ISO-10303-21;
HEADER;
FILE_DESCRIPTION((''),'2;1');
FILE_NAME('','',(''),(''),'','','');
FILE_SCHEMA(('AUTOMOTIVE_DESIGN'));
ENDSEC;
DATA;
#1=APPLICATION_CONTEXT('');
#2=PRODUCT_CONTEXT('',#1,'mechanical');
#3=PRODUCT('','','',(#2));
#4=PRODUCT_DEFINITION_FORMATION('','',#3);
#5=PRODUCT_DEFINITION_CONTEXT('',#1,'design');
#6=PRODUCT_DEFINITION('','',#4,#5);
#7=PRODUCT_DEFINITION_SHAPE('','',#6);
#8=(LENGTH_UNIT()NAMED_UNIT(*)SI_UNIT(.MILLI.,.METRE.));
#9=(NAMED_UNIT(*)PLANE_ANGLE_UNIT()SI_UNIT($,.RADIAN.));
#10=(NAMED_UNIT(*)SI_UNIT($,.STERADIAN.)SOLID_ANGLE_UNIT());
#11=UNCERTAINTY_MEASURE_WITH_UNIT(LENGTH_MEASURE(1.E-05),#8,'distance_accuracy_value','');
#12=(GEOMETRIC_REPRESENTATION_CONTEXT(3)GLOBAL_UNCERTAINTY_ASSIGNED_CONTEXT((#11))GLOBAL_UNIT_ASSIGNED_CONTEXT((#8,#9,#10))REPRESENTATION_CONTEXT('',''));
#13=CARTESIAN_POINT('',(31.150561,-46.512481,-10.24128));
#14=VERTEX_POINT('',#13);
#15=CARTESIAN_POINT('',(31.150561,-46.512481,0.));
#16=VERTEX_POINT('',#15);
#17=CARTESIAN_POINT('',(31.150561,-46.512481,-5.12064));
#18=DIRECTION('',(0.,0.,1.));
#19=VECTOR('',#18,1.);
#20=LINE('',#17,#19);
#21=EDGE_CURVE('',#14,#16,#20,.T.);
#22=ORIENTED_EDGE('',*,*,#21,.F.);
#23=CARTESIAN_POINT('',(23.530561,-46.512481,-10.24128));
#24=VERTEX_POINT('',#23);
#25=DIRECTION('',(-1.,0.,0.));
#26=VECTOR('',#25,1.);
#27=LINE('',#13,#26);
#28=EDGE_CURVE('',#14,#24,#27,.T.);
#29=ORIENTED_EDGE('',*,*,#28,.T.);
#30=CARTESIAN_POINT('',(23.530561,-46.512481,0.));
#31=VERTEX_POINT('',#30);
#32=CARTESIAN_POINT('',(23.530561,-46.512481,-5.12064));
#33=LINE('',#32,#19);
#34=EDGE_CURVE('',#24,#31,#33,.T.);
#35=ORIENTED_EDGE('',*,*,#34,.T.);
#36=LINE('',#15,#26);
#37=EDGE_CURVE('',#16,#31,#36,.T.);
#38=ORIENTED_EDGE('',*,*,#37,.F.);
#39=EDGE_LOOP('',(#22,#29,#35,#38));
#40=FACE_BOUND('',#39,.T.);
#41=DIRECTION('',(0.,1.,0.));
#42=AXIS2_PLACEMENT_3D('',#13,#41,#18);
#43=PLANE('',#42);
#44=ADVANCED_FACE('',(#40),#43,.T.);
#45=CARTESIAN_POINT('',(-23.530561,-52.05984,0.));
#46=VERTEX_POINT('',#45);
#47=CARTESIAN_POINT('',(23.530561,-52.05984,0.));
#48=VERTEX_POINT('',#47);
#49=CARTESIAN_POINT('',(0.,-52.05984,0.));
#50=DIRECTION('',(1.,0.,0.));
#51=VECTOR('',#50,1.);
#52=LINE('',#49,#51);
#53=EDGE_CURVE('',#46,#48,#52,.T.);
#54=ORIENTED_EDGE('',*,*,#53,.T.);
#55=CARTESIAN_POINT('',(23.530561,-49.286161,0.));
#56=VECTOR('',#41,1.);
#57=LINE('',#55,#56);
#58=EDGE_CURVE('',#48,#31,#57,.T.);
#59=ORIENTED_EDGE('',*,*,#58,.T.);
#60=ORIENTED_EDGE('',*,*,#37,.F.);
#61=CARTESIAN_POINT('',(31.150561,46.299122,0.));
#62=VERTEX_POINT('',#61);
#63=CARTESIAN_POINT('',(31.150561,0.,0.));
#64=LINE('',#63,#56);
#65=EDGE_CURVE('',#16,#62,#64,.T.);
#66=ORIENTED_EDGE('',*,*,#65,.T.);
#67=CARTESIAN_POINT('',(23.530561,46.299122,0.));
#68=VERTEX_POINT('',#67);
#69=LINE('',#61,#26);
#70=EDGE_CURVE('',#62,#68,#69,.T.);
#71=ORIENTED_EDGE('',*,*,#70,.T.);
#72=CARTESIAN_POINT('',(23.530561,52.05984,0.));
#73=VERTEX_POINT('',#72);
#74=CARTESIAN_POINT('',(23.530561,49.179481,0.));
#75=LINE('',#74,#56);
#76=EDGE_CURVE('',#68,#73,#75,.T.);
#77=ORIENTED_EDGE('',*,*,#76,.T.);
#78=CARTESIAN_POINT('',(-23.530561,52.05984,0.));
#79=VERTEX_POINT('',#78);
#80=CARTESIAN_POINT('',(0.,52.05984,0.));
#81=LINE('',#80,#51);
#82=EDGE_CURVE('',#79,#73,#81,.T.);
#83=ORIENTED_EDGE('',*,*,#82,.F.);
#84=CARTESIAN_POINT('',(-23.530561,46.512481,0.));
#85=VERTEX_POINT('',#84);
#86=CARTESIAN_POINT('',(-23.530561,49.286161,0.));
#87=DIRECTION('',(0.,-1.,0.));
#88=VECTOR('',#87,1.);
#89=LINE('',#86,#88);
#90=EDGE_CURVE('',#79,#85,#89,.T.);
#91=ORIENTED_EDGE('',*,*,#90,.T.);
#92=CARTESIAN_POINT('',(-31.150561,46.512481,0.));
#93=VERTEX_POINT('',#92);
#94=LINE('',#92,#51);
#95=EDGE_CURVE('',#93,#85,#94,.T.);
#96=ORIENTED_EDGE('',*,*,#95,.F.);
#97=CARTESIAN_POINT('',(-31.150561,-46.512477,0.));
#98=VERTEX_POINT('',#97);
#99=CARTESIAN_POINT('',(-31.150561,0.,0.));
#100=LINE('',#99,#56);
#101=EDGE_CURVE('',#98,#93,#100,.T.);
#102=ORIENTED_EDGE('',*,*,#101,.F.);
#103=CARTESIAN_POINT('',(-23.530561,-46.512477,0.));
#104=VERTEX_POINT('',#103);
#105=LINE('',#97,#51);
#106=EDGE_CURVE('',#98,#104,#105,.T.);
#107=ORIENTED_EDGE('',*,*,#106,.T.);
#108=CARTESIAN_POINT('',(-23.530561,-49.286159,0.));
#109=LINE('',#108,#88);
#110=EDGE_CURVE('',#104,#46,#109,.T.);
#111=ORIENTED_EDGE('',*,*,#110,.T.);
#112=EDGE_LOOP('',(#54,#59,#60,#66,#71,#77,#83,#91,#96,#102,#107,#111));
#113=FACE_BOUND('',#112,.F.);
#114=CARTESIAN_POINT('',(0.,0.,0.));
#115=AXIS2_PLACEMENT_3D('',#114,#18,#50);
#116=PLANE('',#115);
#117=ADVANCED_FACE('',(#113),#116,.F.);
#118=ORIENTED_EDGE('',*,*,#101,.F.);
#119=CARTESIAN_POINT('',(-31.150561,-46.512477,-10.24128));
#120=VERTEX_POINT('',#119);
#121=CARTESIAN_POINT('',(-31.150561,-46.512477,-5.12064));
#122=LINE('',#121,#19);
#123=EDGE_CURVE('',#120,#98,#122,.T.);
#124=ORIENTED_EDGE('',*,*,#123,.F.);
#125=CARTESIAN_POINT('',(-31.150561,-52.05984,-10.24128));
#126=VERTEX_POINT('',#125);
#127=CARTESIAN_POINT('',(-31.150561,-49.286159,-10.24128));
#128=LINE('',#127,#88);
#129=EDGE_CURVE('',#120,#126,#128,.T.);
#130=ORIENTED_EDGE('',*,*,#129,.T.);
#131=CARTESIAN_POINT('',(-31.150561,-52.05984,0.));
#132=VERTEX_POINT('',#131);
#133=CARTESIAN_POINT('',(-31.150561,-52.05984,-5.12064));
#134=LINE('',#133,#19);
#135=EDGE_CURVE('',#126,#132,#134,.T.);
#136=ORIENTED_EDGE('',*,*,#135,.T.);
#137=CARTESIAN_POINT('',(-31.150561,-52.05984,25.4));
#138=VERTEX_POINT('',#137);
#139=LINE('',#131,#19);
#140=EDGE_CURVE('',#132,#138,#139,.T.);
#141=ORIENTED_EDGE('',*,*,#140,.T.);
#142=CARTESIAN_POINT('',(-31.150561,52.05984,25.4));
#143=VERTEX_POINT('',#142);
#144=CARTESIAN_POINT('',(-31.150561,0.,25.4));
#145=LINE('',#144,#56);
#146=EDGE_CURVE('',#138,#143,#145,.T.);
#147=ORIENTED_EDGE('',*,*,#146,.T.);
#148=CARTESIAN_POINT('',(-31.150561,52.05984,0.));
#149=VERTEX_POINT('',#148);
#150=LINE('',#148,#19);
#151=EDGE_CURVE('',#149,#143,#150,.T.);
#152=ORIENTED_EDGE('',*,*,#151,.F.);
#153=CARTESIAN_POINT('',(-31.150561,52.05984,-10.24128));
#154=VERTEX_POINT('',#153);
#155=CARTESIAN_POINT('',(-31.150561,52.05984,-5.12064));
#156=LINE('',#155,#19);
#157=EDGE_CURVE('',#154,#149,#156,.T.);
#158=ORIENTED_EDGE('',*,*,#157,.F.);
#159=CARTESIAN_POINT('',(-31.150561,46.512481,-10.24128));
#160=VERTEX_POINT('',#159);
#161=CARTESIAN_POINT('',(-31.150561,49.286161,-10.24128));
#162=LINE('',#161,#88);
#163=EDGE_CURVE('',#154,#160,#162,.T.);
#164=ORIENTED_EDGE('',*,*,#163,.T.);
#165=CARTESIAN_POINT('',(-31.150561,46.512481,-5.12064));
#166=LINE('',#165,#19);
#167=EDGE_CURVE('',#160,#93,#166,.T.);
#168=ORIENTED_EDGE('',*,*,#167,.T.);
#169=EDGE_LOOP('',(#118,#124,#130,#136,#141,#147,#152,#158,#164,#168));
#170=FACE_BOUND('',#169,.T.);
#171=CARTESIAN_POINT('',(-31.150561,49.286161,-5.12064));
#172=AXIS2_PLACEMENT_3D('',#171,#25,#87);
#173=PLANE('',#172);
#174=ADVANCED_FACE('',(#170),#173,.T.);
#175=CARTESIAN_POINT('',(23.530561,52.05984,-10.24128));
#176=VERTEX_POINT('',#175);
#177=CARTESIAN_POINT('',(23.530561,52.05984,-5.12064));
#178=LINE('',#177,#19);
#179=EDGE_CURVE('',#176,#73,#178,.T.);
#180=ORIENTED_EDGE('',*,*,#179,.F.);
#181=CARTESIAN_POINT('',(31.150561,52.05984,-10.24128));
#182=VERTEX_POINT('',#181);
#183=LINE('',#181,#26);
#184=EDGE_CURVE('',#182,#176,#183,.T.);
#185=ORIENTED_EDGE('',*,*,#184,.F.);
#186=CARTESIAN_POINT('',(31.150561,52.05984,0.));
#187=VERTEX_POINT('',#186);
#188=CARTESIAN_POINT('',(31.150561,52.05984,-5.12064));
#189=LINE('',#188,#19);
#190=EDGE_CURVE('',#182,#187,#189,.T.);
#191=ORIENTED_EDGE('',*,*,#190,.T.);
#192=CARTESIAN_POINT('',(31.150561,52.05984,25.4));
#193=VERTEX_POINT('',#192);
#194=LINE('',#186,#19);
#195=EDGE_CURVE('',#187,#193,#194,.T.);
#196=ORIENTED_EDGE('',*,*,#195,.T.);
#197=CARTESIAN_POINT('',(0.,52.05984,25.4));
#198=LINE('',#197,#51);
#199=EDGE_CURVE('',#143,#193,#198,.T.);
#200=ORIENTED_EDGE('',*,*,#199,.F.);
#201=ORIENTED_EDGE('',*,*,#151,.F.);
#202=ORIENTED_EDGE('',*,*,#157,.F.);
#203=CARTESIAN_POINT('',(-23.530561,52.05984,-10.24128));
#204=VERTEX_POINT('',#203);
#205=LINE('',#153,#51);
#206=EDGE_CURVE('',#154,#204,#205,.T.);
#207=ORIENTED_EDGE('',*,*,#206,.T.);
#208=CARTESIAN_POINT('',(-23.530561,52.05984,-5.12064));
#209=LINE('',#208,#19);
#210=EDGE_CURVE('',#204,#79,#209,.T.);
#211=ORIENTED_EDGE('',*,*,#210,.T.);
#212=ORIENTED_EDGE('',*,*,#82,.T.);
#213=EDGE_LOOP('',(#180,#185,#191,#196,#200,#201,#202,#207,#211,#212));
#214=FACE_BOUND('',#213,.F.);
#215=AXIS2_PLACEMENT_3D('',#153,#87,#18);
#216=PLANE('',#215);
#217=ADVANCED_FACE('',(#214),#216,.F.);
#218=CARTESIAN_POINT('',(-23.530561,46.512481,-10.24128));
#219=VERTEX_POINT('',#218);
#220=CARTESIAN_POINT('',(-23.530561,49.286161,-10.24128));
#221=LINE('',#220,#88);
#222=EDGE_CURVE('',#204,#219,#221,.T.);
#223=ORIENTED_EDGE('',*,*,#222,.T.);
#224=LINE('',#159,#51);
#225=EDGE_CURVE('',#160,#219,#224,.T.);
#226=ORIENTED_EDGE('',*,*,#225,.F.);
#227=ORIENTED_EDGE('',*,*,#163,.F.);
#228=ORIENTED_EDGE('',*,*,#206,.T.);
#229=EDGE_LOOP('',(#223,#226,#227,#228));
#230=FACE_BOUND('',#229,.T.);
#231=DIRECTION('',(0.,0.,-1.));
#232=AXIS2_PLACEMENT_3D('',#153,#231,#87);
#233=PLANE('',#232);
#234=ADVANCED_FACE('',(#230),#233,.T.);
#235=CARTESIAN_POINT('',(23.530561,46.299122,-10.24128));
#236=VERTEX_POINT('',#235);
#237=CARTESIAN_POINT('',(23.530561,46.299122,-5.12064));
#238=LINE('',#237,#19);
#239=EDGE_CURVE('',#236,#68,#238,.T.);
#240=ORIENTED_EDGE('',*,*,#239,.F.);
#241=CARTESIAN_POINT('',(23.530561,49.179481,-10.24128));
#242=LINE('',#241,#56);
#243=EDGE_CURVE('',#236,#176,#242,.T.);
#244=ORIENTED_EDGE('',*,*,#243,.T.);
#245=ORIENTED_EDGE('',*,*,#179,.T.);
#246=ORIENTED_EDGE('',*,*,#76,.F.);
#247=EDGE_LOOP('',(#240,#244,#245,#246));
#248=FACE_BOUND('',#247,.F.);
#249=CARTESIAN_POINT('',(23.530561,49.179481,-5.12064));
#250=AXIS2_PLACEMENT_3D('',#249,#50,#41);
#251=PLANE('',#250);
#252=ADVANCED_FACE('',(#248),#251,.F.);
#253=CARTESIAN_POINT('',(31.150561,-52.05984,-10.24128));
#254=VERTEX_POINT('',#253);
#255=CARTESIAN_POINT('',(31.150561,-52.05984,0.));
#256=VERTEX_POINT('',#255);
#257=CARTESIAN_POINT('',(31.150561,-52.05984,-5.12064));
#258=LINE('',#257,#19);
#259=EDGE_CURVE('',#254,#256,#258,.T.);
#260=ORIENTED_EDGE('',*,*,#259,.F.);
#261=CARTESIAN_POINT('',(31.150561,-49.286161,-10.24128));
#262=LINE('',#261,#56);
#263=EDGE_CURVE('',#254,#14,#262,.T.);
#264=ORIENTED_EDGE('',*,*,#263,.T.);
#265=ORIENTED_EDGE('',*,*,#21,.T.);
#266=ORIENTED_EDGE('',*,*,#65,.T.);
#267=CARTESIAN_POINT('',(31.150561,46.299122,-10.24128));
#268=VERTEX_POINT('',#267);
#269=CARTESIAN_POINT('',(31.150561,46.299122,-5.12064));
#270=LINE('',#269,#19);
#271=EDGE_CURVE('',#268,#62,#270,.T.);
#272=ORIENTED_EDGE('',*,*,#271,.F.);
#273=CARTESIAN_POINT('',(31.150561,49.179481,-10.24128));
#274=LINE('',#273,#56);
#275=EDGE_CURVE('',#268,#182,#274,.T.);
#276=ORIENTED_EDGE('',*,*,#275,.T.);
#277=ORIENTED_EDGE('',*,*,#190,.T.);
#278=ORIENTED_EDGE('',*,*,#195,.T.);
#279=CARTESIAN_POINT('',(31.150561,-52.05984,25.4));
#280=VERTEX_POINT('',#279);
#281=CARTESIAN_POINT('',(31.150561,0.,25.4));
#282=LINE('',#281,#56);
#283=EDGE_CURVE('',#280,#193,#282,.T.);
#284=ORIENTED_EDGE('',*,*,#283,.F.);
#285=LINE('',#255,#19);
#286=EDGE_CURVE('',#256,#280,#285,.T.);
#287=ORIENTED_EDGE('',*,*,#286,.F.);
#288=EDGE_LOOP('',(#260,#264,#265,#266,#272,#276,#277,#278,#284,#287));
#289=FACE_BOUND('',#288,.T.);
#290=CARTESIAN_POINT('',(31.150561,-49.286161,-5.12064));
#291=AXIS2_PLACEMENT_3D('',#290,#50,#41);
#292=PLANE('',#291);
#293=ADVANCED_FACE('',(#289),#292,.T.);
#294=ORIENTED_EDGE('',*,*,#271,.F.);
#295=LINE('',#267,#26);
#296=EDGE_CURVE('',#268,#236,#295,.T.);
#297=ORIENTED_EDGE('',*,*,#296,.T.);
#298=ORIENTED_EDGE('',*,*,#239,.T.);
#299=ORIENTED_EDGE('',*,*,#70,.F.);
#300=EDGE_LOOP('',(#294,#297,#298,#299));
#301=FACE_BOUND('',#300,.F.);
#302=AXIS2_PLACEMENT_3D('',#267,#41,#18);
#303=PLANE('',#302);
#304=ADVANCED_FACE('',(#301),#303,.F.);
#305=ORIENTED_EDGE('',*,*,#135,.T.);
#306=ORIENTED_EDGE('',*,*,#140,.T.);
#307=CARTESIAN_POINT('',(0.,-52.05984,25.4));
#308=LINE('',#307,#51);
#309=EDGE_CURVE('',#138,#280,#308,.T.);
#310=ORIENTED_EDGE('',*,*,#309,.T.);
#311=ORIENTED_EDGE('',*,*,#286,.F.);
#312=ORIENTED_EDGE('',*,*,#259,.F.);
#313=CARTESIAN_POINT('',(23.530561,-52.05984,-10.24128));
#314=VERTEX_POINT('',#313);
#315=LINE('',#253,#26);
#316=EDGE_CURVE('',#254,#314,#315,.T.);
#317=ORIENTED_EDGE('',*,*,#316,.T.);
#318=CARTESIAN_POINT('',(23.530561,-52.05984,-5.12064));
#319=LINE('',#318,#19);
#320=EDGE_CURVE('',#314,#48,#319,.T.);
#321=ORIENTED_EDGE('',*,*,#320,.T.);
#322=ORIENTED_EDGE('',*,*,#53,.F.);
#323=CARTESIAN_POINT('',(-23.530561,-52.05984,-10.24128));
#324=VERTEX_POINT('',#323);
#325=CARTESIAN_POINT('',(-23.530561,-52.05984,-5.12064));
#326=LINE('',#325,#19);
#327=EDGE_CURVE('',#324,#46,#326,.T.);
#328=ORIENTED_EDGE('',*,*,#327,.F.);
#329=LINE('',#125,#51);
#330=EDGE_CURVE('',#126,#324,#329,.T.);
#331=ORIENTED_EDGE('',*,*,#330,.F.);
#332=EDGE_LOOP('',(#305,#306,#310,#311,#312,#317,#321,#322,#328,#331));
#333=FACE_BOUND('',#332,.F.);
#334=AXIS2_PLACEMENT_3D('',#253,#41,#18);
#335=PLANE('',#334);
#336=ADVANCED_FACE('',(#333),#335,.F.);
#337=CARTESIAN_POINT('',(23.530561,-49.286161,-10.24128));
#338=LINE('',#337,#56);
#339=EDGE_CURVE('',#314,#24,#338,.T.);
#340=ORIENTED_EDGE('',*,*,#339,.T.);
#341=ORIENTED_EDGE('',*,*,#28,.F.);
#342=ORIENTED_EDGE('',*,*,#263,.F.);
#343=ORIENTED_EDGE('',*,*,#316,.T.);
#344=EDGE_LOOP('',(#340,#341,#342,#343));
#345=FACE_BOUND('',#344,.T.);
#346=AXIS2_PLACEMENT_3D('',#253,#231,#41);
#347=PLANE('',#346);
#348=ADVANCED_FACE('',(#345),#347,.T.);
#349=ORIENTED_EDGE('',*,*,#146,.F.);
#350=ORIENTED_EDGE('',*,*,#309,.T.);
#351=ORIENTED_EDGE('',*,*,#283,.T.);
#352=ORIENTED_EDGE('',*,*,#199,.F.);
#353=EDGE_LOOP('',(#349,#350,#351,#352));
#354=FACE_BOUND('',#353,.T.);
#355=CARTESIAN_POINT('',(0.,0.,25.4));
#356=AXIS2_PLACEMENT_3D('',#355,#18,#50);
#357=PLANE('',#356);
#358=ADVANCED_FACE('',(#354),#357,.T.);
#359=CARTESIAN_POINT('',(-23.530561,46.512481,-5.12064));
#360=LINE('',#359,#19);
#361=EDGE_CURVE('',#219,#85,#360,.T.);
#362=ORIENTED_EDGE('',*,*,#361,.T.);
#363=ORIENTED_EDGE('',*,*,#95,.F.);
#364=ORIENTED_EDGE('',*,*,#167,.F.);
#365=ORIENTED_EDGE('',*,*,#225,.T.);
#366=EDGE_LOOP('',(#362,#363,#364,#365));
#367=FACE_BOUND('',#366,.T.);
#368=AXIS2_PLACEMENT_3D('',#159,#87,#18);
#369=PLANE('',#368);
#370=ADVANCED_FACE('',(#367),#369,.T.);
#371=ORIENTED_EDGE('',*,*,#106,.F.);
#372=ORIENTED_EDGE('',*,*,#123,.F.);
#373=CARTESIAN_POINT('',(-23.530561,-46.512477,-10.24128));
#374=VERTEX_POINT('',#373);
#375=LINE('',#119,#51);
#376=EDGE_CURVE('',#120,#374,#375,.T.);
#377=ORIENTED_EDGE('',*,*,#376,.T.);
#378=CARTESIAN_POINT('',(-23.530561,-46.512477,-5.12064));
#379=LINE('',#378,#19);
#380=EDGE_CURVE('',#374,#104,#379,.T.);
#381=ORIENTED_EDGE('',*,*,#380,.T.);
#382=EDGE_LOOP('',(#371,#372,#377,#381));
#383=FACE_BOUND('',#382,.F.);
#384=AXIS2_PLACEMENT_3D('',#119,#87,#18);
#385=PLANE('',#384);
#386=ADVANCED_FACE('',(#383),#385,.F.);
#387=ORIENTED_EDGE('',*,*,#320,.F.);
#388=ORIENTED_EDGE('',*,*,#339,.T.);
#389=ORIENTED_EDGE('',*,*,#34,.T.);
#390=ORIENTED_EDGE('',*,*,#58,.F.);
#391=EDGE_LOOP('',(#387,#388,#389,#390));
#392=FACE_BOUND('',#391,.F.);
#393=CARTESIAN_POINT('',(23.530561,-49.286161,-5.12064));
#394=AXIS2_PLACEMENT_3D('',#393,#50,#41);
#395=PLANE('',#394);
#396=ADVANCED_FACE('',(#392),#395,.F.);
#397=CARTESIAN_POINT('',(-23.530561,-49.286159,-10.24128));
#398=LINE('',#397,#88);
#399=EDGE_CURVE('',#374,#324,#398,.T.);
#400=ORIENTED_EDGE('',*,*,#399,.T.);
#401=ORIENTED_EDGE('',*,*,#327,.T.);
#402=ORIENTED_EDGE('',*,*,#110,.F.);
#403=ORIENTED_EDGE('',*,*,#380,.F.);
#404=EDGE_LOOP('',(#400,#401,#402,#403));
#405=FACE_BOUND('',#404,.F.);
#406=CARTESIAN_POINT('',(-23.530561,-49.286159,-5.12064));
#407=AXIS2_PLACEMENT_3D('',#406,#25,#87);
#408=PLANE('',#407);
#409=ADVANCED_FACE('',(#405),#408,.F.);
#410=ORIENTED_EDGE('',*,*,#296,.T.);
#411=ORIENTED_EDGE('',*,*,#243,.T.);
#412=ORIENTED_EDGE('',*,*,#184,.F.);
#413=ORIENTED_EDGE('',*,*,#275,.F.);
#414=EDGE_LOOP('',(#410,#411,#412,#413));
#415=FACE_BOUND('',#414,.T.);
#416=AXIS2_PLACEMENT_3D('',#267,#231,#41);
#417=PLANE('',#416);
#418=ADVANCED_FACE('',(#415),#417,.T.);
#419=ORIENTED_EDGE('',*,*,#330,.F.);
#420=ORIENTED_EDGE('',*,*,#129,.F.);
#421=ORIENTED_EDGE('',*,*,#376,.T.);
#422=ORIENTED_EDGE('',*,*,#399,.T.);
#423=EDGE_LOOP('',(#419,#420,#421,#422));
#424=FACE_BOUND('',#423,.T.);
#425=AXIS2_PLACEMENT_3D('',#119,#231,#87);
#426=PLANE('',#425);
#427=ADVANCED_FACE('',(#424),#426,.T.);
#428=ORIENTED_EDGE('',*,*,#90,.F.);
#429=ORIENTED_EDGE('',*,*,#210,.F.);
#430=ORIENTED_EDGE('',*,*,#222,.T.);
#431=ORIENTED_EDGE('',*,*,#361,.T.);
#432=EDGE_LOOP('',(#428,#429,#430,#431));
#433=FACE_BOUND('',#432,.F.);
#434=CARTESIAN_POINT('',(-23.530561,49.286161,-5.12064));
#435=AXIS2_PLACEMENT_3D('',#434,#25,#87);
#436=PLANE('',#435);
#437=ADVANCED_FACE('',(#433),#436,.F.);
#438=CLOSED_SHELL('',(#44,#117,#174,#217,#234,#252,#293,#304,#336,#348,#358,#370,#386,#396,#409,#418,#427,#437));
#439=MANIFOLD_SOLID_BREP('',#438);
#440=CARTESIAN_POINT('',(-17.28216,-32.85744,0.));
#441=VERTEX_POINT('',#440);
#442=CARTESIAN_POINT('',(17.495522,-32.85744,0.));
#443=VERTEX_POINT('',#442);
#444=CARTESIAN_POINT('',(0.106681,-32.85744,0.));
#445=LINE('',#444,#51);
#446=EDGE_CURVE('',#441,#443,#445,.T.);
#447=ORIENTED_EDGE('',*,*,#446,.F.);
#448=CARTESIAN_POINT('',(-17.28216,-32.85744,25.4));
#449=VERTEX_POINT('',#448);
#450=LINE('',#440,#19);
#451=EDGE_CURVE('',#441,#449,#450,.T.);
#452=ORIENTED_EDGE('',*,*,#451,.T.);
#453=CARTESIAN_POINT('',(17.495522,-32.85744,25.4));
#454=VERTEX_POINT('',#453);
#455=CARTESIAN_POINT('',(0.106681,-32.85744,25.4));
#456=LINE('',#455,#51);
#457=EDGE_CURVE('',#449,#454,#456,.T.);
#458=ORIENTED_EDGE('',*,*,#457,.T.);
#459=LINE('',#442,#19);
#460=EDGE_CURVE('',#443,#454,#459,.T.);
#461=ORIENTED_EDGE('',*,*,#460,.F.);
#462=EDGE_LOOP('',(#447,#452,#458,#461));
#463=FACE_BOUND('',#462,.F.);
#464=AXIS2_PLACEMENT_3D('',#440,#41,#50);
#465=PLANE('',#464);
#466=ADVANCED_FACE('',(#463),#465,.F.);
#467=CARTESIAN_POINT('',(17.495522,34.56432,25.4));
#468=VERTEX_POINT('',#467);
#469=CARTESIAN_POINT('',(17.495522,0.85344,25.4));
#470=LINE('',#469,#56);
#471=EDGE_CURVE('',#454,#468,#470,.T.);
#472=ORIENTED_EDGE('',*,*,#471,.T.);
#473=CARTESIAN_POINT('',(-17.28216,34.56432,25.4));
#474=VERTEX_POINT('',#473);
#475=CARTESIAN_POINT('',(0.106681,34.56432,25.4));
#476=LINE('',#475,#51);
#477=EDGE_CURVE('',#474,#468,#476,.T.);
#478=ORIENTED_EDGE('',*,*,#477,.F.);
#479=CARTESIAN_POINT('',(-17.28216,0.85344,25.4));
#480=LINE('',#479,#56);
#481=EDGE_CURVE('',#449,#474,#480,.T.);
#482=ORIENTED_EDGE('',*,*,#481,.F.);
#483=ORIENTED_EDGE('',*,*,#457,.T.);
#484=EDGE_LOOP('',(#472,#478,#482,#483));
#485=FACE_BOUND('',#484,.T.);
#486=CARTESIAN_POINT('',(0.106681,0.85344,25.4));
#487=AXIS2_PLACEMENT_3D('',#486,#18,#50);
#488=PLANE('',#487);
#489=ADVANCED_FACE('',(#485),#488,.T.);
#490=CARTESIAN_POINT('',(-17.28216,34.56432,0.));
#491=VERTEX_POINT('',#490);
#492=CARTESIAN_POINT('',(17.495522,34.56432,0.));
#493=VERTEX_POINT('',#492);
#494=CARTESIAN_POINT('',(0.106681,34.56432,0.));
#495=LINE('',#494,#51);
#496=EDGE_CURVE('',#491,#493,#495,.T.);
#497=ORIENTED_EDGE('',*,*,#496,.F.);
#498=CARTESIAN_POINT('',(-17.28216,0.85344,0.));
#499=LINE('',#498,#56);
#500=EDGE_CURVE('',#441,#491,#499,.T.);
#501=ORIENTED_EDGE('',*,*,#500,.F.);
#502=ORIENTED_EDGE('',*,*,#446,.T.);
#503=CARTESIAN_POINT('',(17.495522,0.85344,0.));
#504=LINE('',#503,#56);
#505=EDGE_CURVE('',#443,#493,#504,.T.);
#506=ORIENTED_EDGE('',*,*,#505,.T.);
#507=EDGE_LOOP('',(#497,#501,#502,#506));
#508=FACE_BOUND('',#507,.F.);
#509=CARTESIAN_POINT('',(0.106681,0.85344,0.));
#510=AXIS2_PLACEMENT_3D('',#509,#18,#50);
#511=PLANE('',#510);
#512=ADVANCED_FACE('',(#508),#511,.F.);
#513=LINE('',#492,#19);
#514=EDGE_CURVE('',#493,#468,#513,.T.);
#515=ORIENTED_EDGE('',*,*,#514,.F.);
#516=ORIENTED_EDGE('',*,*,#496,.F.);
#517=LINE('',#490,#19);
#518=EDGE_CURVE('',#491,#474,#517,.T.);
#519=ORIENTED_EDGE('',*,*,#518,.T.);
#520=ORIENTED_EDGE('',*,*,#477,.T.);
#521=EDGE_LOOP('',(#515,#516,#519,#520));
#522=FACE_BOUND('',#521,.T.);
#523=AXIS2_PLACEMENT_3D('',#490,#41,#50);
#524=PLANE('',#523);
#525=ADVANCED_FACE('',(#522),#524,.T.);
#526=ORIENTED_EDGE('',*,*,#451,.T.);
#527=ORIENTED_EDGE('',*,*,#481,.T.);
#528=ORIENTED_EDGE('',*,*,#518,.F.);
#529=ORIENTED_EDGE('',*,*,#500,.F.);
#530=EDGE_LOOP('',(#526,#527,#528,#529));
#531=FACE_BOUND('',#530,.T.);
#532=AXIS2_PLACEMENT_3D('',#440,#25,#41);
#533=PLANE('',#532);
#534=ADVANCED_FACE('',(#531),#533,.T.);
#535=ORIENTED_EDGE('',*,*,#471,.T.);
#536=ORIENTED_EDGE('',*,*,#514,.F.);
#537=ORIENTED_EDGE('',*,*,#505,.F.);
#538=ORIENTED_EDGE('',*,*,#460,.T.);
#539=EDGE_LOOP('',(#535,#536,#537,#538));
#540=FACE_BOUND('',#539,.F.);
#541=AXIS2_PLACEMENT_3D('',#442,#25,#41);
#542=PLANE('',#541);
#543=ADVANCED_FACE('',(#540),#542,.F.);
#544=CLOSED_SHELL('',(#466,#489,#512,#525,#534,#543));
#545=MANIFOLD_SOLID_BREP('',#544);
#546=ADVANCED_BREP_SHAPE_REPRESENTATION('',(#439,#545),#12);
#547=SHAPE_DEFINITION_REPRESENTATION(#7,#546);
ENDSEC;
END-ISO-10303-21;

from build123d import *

# Parameters (mm, degrees)
F2_W     = 62.3011216521
F2_H     = 104.1196808219
F3_DEPTH = 25.4
F0_W     = 34.7776822746
F0_H     = 67.4217604101
F4_W     = 5.5473595858
F4_H     = 10.2412803099
F4_W_2   = 5.760718137
F5_DEPTH = 7.62
F6_W     = 5.5473595858
F6_H     = 10.2412803099
F6_W_2   = 5.5473633111
F7_DEPTH = 7.62


with BuildPart() as f3:
    # F2 (on face) → F3 (new body)
    with BuildSketch(Plane.XY):
        Rectangle(F2_W, F2_H)
    extrude(amount=F3_DEPTH)

    # F4 (on face) → F5 (join)
    with BuildSketch(Plane.YZ.offset(31.1505608261)):
        with Locations((-49.2861606181, -5.1206401549)):
            Rectangle(F4_W, F4_H)
        with Locations((49.1794813424, -5.1206401549)):
            Rectangle(F4_W_2, F4_H)
    extrude(amount=-F5_DEPTH)

    # F6 (on face) → F7 (join)
    with BuildSketch(Plane(origin=(-31.1505608261, 0, 0), x_dir=(0, -1, 0), z_dir=(-1, 0, 0))):
        with Locations((-49.2861606181, -5.1206401549)):
            Rectangle(F6_W, F6_H)
        with Locations((49.2861587554, -5.1206401549)):
            Rectangle(F6_W_2, F6_H)
    extrude(amount=-F7_DEPTH)


with BuildPart() as f3b:
    # F0 (on Top) → F3, piece 2 (new body)
    with BuildSketch(Plane.XY):
        with Locations((0.1066811383, 0.853439793)):
            Rectangle(F0_W, F0_H)
    extrude(amount=F3_DEPTH)


solid = Compound([f3.part, f3b.part])
